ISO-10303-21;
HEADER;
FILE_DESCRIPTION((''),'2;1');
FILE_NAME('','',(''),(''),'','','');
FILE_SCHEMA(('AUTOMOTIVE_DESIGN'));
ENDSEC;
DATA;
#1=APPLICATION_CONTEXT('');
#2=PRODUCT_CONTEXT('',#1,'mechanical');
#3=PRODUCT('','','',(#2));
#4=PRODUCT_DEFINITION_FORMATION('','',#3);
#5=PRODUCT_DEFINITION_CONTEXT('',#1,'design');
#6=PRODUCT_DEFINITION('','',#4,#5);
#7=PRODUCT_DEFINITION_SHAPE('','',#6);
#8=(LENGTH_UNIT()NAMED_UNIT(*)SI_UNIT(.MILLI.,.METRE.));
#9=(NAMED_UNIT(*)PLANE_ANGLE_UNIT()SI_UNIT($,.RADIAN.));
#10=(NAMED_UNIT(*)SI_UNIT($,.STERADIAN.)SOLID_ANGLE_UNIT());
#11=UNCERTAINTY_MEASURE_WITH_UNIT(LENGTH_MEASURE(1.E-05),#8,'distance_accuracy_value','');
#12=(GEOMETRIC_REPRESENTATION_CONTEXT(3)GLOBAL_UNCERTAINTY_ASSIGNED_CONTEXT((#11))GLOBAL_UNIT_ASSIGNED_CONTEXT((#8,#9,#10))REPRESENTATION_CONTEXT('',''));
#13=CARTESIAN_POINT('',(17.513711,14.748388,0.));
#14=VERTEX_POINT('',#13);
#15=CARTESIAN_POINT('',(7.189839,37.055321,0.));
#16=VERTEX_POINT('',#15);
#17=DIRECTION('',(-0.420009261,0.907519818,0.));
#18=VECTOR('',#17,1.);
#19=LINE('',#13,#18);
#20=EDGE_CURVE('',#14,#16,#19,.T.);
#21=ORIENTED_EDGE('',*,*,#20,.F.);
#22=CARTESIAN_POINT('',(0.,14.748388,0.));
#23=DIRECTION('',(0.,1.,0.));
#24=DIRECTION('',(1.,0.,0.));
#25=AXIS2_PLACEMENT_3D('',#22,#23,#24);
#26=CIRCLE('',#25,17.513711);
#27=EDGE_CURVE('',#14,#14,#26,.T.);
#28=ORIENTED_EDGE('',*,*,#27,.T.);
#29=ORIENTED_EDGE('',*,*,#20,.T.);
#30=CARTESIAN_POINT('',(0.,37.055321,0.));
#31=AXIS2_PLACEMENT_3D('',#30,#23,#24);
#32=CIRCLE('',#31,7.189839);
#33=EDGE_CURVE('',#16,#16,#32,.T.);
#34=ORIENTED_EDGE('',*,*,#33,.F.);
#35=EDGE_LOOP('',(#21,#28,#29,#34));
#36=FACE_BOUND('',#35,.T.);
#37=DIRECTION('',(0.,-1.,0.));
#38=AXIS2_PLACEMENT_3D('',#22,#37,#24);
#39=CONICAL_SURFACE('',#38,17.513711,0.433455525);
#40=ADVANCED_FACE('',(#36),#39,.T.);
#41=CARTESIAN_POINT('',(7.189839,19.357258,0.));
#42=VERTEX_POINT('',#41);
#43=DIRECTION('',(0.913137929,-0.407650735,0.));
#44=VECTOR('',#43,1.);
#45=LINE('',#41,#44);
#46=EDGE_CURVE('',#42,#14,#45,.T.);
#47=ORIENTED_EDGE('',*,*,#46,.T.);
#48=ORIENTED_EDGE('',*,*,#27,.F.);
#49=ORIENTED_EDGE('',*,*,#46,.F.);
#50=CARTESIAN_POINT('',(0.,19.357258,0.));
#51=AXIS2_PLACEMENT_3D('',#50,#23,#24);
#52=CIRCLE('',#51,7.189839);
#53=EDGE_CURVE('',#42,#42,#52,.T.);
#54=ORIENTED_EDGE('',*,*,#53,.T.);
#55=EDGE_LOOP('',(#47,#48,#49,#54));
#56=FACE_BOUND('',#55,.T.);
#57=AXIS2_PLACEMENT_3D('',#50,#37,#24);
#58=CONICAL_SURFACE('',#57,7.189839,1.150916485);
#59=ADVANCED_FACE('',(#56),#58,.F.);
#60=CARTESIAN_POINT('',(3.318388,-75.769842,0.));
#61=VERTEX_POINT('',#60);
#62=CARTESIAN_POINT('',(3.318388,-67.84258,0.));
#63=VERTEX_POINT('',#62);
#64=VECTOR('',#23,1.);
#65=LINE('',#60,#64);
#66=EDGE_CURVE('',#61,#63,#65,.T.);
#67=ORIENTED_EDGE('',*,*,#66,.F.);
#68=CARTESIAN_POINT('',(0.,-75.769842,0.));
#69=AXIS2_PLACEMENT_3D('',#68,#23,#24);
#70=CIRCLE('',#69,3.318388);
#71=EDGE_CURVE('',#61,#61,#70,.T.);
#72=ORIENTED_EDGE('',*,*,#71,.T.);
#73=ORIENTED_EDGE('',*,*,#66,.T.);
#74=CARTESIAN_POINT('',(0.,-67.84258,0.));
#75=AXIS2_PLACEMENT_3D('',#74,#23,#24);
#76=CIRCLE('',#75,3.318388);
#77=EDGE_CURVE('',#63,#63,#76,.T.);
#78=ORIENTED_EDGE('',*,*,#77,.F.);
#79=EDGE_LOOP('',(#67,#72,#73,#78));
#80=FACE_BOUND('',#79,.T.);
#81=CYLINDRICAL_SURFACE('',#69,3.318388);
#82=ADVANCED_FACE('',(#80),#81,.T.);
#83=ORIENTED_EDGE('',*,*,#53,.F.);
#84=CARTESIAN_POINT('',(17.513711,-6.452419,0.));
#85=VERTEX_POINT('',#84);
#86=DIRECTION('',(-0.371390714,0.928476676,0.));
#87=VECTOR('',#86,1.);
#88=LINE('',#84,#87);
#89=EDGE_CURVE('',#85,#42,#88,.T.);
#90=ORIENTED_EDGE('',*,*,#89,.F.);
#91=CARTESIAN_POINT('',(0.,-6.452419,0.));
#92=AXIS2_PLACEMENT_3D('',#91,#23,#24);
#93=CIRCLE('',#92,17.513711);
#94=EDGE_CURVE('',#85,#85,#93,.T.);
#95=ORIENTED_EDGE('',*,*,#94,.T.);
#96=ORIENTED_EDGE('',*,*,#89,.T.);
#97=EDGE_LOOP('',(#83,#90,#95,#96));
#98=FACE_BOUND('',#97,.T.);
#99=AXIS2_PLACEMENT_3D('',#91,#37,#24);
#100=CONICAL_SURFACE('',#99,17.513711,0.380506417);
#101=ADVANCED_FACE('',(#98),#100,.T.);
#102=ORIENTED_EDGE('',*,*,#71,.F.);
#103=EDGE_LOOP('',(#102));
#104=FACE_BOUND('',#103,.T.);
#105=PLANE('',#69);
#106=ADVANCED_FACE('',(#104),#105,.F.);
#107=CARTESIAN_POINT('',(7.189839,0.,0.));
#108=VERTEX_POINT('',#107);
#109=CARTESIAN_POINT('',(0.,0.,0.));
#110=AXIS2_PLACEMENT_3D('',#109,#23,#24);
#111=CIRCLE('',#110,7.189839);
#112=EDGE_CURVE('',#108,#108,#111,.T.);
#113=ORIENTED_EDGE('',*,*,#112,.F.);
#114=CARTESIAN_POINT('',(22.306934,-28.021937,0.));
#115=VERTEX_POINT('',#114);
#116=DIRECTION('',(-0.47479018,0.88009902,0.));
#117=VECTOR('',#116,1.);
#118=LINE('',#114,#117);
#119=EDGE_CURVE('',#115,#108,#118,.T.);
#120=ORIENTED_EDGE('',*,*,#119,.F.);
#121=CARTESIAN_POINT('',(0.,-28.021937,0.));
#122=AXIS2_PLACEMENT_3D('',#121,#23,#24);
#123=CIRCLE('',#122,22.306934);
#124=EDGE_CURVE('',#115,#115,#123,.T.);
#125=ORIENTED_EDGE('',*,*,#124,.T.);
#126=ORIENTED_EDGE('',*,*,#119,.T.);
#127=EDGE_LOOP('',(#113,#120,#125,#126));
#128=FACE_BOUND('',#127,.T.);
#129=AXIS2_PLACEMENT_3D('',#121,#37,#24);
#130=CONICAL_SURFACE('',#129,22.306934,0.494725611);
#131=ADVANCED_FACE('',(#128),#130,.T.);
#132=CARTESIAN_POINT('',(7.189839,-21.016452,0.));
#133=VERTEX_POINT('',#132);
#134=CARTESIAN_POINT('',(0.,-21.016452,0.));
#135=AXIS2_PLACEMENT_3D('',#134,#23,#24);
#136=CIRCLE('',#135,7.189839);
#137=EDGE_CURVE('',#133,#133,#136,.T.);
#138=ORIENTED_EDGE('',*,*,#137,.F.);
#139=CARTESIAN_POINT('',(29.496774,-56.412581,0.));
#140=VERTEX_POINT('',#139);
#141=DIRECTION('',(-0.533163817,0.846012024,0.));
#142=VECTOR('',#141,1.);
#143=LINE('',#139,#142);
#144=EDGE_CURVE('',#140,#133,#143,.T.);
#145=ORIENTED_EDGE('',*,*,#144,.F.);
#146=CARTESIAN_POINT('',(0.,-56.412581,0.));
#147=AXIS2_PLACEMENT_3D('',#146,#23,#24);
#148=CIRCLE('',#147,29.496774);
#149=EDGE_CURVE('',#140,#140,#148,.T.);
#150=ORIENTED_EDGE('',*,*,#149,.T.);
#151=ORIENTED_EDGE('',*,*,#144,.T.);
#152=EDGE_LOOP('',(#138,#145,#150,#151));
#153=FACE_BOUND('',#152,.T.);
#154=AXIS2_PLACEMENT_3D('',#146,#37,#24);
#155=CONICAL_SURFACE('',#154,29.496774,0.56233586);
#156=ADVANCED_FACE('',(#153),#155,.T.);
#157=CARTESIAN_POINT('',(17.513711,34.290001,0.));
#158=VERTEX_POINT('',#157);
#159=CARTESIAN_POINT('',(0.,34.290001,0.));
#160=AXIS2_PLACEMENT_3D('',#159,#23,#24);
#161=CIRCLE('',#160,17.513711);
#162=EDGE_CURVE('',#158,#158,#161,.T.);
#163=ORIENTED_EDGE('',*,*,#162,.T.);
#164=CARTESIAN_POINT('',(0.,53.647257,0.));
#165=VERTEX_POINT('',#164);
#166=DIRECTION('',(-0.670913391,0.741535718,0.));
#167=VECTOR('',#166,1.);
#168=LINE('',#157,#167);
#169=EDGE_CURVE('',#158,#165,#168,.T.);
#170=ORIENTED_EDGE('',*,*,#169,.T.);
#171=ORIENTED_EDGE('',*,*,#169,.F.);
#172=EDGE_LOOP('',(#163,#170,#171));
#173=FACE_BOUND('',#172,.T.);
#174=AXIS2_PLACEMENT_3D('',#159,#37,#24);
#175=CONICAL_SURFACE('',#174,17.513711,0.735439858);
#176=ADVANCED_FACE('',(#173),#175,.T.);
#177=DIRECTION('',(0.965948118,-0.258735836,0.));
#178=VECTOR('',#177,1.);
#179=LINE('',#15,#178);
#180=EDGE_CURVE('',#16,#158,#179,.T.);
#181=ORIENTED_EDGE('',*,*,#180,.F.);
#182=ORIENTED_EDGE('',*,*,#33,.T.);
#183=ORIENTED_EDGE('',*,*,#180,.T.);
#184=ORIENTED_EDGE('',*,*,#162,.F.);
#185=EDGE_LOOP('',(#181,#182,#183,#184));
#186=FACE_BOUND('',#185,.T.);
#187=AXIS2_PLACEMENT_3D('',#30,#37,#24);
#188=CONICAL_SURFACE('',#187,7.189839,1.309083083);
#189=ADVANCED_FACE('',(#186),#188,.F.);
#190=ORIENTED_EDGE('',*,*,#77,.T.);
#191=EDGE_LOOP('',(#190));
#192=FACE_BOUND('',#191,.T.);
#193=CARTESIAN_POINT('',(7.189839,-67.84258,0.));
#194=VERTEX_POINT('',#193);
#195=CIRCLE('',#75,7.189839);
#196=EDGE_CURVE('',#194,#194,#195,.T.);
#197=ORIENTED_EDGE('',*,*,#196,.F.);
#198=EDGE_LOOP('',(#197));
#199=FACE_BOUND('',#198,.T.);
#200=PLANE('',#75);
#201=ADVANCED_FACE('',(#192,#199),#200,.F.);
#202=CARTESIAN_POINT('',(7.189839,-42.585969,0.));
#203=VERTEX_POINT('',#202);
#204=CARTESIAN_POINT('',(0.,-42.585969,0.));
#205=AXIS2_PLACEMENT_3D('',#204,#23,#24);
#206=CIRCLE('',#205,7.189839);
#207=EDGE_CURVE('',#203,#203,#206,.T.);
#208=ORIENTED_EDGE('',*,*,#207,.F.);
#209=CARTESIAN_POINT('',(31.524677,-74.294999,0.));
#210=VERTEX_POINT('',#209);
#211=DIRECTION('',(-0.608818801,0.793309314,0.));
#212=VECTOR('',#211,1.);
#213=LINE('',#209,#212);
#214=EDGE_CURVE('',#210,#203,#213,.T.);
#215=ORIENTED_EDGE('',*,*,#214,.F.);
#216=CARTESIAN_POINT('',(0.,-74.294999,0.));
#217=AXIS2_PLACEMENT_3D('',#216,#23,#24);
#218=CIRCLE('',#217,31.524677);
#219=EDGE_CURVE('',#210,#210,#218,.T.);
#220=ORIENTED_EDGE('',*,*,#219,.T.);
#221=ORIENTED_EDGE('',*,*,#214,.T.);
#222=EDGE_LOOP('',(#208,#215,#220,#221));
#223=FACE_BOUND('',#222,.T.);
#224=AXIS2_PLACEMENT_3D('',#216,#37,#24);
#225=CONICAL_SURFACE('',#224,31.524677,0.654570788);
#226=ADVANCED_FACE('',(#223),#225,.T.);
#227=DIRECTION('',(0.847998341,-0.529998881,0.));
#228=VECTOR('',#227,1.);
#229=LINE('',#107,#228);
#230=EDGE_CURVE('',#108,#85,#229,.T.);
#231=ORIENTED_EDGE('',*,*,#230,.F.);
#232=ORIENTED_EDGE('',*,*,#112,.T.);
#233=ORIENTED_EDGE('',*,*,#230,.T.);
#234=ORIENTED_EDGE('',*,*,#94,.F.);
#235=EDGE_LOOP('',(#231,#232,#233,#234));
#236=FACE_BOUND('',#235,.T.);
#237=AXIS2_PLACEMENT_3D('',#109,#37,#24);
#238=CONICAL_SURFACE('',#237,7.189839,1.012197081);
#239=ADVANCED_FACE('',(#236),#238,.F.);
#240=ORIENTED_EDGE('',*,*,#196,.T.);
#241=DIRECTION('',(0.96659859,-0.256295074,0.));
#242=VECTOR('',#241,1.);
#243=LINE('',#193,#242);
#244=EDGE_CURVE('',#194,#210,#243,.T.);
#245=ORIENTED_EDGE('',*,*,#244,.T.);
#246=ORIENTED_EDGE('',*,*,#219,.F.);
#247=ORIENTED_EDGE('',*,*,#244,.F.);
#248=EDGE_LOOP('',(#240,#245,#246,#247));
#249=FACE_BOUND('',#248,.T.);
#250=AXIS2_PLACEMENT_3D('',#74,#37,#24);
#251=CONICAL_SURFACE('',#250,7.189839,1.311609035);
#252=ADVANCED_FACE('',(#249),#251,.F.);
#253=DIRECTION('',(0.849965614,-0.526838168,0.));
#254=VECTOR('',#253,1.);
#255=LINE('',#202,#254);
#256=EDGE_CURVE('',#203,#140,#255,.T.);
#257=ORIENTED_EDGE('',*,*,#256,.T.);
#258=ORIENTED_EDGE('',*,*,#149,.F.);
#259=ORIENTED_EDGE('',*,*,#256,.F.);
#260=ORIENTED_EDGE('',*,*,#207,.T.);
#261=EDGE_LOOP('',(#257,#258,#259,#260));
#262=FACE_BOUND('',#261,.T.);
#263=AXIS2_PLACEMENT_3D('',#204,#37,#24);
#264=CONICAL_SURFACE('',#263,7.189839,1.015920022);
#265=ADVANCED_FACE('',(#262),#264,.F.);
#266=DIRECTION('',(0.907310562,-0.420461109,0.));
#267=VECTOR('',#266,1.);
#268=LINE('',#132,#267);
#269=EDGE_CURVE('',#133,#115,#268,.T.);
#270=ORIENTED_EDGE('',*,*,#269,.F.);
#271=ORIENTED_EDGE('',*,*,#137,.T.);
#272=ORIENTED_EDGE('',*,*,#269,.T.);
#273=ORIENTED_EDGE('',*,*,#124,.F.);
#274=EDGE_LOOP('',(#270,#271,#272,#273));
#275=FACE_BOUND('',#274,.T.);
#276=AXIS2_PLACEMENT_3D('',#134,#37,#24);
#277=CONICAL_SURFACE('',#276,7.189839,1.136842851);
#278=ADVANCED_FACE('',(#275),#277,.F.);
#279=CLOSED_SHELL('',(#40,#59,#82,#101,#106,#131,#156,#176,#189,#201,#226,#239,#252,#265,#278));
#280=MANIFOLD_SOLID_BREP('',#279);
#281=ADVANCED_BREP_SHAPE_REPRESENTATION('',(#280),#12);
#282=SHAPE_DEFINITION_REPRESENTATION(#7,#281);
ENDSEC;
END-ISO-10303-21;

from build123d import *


with BuildPart() as f1:
    # F0 (on Top) → F1 (revolve)
    with BuildSketch(Plane.XY):
        Polygon((17.513711, 34.290001), (0, 53.647257), (0, -75.769842), (3.318388, -75.769842), (3.318388, -67.84258), (7.189839, -67.84258), (31.524677, -74.294999), (7.189839, -42.585969), (29.496774, -56.412581), (7.189839, -21.016452), (22.306934, -28.021937), (7.189839, 0), (17.513711, -6.452419), (7.189839, 19.357258), (17.513711, 14.748388), (7.189839, 37.055321), align=None)
    revolve(axis=Axis((0, -11.061292, 0), (0, 1, 0)))


solid = f1.part
